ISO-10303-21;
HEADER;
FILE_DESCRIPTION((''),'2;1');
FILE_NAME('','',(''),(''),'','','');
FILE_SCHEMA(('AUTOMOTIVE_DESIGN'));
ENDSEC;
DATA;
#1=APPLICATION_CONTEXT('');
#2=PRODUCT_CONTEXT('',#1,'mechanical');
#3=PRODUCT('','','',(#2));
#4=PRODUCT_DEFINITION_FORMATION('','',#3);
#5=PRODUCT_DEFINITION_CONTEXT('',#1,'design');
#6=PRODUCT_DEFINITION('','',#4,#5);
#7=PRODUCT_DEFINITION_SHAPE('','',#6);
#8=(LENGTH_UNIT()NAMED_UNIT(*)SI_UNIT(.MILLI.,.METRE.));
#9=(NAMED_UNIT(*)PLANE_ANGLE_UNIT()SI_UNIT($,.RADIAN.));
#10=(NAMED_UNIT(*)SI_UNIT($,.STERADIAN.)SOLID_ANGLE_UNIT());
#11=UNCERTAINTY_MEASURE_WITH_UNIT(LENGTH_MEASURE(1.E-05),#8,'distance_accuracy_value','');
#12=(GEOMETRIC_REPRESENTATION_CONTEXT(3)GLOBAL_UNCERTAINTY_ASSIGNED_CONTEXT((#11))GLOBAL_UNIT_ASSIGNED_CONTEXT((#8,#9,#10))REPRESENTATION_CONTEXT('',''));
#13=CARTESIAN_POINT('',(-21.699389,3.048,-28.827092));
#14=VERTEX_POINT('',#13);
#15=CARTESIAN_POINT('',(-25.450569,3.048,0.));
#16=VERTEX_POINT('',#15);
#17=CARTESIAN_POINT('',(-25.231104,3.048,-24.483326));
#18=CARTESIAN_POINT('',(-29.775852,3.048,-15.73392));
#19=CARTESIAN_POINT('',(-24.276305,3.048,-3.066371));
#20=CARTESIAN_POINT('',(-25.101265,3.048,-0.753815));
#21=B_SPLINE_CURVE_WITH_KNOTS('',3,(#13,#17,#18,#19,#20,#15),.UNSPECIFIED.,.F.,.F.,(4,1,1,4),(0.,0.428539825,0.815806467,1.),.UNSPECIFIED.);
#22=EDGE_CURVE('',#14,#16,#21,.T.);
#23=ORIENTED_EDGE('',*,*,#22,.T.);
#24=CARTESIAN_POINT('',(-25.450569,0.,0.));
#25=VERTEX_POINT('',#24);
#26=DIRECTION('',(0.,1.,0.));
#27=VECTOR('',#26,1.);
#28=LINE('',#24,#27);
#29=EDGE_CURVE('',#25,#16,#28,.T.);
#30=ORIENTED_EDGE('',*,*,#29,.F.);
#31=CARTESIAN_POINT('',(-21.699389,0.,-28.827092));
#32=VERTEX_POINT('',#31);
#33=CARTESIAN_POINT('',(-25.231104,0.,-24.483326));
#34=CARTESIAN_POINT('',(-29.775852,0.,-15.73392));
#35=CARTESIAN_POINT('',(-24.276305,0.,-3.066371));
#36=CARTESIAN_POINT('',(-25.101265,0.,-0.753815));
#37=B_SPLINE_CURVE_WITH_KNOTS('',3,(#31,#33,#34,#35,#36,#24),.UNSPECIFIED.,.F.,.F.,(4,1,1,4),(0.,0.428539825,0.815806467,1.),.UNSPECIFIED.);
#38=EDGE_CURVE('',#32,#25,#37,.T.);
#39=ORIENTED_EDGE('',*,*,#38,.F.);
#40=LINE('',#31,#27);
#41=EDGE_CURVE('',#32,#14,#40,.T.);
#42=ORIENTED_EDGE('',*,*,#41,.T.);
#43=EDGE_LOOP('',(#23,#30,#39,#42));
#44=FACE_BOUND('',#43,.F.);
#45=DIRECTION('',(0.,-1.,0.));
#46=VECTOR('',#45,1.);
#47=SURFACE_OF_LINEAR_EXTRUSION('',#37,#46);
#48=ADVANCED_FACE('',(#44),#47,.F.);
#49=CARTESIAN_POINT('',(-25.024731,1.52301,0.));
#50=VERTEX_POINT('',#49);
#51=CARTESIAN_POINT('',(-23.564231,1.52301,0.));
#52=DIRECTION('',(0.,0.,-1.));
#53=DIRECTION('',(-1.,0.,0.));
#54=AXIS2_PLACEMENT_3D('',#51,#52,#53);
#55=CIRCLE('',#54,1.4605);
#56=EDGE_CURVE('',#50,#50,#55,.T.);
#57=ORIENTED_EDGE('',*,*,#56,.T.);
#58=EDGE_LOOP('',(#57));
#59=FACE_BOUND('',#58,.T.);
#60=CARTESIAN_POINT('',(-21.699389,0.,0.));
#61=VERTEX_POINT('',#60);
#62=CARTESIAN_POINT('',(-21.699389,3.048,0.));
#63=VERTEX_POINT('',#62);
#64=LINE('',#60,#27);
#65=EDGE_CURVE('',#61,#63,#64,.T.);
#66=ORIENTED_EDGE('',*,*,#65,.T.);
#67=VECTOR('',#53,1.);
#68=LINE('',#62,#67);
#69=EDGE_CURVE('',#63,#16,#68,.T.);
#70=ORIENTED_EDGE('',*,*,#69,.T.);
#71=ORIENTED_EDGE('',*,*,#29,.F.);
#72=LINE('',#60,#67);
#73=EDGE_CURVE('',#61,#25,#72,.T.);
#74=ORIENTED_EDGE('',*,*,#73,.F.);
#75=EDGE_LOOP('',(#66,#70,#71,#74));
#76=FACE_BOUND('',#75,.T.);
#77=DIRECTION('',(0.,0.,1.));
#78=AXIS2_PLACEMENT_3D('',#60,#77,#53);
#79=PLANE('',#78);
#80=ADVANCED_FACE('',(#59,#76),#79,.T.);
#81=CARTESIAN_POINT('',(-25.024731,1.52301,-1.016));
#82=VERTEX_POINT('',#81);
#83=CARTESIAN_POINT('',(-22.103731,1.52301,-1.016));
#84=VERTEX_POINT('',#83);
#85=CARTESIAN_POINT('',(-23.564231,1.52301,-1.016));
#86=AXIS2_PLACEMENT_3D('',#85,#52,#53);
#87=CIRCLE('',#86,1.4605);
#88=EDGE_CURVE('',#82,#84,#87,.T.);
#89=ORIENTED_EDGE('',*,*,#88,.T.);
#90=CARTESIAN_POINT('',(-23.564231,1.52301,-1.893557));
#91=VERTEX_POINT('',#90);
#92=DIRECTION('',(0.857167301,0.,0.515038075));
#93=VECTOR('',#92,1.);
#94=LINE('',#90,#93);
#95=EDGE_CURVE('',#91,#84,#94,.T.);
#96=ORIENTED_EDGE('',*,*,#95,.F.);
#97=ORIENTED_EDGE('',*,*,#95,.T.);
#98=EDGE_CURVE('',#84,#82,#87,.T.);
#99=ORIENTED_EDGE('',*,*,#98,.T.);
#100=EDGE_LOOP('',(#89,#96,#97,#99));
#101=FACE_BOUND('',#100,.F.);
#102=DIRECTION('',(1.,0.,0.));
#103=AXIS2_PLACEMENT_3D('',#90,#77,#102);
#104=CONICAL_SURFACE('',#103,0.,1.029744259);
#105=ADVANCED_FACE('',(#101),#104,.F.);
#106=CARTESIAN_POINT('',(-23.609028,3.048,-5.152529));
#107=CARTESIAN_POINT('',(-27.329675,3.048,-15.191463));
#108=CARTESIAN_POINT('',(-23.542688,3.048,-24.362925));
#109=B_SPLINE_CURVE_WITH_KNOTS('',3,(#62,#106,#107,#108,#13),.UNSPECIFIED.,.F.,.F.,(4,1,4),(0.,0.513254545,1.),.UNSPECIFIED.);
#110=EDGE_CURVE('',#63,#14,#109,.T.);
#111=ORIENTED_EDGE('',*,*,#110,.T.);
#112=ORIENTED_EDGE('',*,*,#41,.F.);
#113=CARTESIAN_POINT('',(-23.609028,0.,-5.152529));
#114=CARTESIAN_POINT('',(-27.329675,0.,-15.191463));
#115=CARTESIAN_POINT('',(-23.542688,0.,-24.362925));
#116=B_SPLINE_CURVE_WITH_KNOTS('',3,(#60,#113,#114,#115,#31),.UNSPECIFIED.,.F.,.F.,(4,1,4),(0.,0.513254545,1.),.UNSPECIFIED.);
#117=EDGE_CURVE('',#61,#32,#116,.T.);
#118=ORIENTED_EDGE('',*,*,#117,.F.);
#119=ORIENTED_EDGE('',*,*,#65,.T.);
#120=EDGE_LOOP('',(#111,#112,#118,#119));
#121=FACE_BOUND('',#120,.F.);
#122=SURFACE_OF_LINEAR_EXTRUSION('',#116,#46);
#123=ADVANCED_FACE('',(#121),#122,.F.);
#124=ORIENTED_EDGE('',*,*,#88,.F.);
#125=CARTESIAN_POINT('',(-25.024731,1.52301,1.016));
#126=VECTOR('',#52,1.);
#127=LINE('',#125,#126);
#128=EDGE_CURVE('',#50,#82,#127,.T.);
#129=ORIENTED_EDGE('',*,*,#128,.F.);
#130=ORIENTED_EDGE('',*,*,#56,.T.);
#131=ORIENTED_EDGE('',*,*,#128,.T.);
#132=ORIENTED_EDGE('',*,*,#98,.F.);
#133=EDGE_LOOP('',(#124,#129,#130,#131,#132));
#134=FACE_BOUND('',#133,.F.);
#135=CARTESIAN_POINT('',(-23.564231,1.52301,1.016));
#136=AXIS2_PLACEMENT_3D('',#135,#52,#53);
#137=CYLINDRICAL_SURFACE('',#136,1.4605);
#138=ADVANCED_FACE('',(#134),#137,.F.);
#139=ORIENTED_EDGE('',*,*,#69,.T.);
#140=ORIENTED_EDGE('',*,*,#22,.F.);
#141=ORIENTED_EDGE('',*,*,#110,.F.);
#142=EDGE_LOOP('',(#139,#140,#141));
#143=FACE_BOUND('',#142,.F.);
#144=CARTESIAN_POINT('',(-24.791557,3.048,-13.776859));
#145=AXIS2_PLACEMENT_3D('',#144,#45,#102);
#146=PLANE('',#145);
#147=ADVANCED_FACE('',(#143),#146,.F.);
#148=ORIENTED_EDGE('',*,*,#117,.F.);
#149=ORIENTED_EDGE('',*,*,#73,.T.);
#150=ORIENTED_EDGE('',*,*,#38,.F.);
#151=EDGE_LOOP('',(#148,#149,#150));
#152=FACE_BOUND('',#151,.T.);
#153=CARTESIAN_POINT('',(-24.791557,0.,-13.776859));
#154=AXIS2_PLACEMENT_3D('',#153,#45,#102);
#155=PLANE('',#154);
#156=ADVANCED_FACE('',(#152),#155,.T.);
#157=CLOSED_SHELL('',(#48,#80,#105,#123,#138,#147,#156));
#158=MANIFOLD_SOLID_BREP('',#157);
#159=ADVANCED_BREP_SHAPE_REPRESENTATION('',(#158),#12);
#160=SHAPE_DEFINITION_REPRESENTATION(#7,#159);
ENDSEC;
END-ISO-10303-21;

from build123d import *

# Parameters (mm, degrees)
F1_DEPTH = 3.048
F3_D     = 2.921
F3_DEPTH = 1.016
F3_TIP   = 0.8775569341


with BuildPart() as f1:
    # F0 (on Front) → F1 (new body)
    with BuildSketch(Plane.XZ):
        with BuildLine():
            Line((-21.6993894428, 0), (-25.4505686462, 0))
            add(Edge.make_bspline(
                [(-21.6993894428, -28.827091679), (-25.2311042814, -24.4833256454), (-29.7758519742, -15.7339199693), (-24.2763052364, -3.0663705603), (-25.1012646916, -0.7538146359), (-25.4505686462, 0)],
                knots=[0, 0, 0, 0, 0.4285398251, 0.815806467, 1, 1, 1, 1], degree=3))
            add(Edge.make_bspline(
                [(-21.6993894428, 0), (-23.6090284447, -5.1525288357), (-27.3296754836, -15.1914634907), (-23.5426882621, -24.3629246442), (-21.6993894428, -28.827091679)],
                knots=[0, 0, 0, 0, 0.5132545447, 1, 1, 1, 1], degree=3))
        make_face()
    extrude(amount=-F1_DEPTH)

    # F3
    with Locations(Plane.XY):
        with Locations((-23.564230947, 1.5230104046)):
            Hole(F3_D / 2, depth=F3_DEPTH)
            with Locations((0, 0, -(F3_DEPTH + F3_TIP / 2))):  # 118° drill point
                Cone(0, F3_D / 2, F3_TIP, mode=Mode.SUBTRACT)


solid = f1.part
